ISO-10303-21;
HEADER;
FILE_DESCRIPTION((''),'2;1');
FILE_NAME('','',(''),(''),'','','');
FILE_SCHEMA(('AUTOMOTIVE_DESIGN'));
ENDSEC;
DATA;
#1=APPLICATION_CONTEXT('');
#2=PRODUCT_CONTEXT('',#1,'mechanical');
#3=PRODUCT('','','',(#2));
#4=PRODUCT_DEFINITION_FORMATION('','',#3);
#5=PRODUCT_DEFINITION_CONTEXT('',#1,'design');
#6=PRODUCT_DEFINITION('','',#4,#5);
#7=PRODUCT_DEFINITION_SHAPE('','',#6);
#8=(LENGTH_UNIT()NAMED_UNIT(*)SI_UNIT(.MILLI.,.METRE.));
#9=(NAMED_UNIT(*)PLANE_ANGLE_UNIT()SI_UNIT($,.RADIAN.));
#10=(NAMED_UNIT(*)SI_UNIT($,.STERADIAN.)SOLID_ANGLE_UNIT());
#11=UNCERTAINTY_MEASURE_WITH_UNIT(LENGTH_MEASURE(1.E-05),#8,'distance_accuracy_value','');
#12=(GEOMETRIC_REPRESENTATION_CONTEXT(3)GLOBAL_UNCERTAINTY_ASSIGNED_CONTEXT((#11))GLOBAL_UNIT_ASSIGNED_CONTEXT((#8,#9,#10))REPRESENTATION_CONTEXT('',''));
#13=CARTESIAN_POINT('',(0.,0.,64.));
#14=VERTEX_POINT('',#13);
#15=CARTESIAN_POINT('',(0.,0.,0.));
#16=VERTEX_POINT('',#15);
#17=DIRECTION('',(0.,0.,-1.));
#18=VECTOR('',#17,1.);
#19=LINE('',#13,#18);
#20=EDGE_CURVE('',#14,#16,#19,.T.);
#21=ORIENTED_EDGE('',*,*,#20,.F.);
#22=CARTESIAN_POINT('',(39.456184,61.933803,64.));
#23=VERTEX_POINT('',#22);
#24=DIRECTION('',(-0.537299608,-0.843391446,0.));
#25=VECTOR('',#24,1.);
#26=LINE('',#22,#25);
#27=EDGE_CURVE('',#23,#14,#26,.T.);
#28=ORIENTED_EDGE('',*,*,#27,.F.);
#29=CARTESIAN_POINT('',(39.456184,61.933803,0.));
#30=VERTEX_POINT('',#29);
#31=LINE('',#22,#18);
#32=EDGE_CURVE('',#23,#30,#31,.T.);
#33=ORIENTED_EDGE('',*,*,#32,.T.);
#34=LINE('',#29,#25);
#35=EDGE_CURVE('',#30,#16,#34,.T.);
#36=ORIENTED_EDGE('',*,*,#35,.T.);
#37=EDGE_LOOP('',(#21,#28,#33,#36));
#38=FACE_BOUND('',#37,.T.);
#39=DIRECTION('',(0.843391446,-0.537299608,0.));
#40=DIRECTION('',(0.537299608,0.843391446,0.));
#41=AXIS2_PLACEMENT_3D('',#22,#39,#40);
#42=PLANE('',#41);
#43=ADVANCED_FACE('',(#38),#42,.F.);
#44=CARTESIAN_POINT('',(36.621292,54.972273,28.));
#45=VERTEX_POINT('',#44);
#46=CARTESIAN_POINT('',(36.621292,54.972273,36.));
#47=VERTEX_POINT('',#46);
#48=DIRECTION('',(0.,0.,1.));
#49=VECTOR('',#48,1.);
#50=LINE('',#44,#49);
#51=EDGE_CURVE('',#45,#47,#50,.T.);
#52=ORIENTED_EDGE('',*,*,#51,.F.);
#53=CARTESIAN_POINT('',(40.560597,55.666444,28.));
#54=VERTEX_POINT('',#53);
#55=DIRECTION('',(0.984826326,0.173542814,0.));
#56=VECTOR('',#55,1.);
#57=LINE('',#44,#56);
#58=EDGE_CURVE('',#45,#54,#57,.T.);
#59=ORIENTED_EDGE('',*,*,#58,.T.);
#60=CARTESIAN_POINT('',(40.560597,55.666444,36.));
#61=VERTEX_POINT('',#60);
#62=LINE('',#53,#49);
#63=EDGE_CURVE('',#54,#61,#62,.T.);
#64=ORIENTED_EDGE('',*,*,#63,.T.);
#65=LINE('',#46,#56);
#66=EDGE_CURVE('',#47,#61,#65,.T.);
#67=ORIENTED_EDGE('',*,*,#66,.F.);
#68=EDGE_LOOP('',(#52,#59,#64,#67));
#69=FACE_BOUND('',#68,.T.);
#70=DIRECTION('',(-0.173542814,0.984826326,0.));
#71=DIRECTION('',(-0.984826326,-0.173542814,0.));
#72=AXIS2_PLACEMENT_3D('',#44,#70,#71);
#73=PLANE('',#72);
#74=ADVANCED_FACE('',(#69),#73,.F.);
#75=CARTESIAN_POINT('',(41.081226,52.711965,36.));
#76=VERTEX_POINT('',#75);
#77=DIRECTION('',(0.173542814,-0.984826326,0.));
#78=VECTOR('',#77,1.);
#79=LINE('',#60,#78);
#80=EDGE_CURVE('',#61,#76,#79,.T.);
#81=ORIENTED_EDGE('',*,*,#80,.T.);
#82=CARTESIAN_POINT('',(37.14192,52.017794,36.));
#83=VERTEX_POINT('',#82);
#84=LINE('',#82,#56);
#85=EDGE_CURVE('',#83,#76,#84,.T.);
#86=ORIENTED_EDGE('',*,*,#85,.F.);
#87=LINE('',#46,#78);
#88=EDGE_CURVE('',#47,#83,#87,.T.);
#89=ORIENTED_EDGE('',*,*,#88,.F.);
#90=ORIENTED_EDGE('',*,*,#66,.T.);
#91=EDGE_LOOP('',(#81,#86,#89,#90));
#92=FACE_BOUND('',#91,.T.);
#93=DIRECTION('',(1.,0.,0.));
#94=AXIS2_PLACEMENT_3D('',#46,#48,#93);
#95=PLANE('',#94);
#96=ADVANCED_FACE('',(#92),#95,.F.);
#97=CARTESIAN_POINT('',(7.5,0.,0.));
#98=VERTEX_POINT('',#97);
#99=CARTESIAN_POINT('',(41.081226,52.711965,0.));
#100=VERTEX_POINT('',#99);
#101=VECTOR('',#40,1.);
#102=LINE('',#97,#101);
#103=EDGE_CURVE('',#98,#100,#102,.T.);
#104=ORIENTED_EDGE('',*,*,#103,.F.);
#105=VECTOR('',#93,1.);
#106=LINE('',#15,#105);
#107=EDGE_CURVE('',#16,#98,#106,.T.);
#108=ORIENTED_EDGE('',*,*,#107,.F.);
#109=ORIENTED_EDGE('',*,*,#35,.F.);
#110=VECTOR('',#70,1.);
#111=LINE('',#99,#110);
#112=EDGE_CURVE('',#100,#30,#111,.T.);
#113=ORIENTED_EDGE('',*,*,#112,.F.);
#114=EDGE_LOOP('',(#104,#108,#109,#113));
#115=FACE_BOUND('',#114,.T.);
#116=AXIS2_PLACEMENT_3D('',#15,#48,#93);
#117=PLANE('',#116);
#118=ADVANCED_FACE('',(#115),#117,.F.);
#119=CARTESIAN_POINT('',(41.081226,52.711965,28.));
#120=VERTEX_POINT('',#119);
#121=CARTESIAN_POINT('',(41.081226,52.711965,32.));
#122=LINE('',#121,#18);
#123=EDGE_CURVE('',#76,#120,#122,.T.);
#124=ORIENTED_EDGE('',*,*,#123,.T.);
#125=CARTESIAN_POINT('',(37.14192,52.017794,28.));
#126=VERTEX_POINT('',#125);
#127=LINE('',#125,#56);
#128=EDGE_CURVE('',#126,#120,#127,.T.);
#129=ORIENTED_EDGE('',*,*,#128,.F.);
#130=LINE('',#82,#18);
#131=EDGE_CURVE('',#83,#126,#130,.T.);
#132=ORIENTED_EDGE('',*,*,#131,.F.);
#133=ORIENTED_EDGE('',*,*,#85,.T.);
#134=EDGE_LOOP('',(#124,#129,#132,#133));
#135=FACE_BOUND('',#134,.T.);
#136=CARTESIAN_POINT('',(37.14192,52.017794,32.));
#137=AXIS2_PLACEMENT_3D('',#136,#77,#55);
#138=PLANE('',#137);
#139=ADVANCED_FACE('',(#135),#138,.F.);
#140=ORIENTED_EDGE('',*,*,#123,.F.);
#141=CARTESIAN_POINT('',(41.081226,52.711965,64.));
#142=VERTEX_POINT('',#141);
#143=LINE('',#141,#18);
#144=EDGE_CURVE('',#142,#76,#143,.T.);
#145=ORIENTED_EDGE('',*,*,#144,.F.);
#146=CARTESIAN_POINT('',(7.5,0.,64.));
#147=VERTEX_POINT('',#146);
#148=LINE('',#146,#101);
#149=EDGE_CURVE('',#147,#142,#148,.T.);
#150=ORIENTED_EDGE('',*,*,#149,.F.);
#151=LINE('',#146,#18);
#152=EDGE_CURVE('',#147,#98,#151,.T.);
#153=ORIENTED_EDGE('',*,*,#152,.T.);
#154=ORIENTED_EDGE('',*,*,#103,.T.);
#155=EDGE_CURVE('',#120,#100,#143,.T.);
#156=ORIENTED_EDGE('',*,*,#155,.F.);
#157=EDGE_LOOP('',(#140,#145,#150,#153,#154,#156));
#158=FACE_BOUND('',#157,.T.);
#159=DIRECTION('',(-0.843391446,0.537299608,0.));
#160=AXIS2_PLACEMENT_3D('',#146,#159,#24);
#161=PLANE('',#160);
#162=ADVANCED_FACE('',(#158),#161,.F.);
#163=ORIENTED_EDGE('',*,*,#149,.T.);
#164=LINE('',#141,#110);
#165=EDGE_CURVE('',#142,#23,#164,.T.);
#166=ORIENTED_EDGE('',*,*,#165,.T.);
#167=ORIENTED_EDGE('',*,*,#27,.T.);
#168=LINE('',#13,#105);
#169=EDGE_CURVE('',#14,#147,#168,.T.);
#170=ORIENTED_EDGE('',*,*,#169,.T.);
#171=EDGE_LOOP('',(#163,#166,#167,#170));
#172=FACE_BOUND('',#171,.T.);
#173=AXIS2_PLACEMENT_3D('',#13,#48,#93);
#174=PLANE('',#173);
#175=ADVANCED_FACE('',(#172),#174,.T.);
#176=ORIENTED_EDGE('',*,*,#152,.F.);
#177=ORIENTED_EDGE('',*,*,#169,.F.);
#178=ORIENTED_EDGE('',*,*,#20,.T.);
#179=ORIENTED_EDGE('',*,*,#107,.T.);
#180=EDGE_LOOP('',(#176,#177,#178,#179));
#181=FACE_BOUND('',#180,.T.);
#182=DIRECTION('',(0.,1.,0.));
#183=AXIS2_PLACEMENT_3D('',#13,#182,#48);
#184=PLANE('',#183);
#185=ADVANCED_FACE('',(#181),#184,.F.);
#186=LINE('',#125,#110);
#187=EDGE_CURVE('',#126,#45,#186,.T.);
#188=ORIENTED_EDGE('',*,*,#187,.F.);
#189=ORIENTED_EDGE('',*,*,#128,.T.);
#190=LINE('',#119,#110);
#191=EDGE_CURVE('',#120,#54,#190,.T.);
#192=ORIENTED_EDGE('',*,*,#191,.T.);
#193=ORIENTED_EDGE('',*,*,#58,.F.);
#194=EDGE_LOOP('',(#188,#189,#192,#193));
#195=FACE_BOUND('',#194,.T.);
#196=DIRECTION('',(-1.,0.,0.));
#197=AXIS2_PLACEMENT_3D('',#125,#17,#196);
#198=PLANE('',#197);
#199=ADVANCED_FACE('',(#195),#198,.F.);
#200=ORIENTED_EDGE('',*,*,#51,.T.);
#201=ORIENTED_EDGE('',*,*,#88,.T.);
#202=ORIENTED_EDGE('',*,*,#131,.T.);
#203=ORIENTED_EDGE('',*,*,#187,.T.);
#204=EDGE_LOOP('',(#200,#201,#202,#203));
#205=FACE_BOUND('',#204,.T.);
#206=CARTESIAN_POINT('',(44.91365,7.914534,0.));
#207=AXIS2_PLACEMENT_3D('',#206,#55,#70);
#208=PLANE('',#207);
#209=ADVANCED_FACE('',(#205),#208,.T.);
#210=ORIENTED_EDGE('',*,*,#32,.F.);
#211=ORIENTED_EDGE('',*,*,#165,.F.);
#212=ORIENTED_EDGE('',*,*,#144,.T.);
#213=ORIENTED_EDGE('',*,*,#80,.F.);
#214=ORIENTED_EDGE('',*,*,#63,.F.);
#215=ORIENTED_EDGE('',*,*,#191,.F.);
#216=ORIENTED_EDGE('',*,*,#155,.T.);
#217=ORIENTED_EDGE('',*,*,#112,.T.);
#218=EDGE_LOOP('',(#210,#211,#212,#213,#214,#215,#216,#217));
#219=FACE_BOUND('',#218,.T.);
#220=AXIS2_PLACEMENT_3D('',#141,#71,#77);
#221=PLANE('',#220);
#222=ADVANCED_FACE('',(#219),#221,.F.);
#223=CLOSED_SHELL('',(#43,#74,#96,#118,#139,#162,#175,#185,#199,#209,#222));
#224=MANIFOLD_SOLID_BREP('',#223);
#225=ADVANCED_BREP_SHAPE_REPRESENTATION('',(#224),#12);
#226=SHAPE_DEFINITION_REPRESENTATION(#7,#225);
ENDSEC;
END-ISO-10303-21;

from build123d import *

# Parameters (mm, degrees)
BOSS_EXTRUDE1_DEPTH = 64
CUT_EXTRUDE1_DEPTH  = 4


with BuildPart() as part:
    # Sketch1 → Boss-Extrude1 (new body)
    with BuildSketch(Plane.XY):
        Polygon((0, 0), (7.5, 0), (41.081225522, 52.711965363), (39.456184018, 61.933802982), align=None)
    extrude(amount=BOSS_EXTRUDE1_DEPTH)

    # Sketch2 → Cut-Extrude1 (cut)
    with BuildSketch(Plane(origin=(48.852955135, 8.608705004, 0), x_dir=(0, 0, -1), z_dir=(0.9848263256181995, 0.1735428142256437, 0))):
        Polygon((-32, 44.782779676), (-28, 44.782779676), (-28, 47.782779676), (-36, 47.782779676), (-36, 44.782779676), align=None)
    extrude(amount=-CUT_EXTRUDE1_DEPTH, mode=Mode.SUBTRACT)


solid = part.part
